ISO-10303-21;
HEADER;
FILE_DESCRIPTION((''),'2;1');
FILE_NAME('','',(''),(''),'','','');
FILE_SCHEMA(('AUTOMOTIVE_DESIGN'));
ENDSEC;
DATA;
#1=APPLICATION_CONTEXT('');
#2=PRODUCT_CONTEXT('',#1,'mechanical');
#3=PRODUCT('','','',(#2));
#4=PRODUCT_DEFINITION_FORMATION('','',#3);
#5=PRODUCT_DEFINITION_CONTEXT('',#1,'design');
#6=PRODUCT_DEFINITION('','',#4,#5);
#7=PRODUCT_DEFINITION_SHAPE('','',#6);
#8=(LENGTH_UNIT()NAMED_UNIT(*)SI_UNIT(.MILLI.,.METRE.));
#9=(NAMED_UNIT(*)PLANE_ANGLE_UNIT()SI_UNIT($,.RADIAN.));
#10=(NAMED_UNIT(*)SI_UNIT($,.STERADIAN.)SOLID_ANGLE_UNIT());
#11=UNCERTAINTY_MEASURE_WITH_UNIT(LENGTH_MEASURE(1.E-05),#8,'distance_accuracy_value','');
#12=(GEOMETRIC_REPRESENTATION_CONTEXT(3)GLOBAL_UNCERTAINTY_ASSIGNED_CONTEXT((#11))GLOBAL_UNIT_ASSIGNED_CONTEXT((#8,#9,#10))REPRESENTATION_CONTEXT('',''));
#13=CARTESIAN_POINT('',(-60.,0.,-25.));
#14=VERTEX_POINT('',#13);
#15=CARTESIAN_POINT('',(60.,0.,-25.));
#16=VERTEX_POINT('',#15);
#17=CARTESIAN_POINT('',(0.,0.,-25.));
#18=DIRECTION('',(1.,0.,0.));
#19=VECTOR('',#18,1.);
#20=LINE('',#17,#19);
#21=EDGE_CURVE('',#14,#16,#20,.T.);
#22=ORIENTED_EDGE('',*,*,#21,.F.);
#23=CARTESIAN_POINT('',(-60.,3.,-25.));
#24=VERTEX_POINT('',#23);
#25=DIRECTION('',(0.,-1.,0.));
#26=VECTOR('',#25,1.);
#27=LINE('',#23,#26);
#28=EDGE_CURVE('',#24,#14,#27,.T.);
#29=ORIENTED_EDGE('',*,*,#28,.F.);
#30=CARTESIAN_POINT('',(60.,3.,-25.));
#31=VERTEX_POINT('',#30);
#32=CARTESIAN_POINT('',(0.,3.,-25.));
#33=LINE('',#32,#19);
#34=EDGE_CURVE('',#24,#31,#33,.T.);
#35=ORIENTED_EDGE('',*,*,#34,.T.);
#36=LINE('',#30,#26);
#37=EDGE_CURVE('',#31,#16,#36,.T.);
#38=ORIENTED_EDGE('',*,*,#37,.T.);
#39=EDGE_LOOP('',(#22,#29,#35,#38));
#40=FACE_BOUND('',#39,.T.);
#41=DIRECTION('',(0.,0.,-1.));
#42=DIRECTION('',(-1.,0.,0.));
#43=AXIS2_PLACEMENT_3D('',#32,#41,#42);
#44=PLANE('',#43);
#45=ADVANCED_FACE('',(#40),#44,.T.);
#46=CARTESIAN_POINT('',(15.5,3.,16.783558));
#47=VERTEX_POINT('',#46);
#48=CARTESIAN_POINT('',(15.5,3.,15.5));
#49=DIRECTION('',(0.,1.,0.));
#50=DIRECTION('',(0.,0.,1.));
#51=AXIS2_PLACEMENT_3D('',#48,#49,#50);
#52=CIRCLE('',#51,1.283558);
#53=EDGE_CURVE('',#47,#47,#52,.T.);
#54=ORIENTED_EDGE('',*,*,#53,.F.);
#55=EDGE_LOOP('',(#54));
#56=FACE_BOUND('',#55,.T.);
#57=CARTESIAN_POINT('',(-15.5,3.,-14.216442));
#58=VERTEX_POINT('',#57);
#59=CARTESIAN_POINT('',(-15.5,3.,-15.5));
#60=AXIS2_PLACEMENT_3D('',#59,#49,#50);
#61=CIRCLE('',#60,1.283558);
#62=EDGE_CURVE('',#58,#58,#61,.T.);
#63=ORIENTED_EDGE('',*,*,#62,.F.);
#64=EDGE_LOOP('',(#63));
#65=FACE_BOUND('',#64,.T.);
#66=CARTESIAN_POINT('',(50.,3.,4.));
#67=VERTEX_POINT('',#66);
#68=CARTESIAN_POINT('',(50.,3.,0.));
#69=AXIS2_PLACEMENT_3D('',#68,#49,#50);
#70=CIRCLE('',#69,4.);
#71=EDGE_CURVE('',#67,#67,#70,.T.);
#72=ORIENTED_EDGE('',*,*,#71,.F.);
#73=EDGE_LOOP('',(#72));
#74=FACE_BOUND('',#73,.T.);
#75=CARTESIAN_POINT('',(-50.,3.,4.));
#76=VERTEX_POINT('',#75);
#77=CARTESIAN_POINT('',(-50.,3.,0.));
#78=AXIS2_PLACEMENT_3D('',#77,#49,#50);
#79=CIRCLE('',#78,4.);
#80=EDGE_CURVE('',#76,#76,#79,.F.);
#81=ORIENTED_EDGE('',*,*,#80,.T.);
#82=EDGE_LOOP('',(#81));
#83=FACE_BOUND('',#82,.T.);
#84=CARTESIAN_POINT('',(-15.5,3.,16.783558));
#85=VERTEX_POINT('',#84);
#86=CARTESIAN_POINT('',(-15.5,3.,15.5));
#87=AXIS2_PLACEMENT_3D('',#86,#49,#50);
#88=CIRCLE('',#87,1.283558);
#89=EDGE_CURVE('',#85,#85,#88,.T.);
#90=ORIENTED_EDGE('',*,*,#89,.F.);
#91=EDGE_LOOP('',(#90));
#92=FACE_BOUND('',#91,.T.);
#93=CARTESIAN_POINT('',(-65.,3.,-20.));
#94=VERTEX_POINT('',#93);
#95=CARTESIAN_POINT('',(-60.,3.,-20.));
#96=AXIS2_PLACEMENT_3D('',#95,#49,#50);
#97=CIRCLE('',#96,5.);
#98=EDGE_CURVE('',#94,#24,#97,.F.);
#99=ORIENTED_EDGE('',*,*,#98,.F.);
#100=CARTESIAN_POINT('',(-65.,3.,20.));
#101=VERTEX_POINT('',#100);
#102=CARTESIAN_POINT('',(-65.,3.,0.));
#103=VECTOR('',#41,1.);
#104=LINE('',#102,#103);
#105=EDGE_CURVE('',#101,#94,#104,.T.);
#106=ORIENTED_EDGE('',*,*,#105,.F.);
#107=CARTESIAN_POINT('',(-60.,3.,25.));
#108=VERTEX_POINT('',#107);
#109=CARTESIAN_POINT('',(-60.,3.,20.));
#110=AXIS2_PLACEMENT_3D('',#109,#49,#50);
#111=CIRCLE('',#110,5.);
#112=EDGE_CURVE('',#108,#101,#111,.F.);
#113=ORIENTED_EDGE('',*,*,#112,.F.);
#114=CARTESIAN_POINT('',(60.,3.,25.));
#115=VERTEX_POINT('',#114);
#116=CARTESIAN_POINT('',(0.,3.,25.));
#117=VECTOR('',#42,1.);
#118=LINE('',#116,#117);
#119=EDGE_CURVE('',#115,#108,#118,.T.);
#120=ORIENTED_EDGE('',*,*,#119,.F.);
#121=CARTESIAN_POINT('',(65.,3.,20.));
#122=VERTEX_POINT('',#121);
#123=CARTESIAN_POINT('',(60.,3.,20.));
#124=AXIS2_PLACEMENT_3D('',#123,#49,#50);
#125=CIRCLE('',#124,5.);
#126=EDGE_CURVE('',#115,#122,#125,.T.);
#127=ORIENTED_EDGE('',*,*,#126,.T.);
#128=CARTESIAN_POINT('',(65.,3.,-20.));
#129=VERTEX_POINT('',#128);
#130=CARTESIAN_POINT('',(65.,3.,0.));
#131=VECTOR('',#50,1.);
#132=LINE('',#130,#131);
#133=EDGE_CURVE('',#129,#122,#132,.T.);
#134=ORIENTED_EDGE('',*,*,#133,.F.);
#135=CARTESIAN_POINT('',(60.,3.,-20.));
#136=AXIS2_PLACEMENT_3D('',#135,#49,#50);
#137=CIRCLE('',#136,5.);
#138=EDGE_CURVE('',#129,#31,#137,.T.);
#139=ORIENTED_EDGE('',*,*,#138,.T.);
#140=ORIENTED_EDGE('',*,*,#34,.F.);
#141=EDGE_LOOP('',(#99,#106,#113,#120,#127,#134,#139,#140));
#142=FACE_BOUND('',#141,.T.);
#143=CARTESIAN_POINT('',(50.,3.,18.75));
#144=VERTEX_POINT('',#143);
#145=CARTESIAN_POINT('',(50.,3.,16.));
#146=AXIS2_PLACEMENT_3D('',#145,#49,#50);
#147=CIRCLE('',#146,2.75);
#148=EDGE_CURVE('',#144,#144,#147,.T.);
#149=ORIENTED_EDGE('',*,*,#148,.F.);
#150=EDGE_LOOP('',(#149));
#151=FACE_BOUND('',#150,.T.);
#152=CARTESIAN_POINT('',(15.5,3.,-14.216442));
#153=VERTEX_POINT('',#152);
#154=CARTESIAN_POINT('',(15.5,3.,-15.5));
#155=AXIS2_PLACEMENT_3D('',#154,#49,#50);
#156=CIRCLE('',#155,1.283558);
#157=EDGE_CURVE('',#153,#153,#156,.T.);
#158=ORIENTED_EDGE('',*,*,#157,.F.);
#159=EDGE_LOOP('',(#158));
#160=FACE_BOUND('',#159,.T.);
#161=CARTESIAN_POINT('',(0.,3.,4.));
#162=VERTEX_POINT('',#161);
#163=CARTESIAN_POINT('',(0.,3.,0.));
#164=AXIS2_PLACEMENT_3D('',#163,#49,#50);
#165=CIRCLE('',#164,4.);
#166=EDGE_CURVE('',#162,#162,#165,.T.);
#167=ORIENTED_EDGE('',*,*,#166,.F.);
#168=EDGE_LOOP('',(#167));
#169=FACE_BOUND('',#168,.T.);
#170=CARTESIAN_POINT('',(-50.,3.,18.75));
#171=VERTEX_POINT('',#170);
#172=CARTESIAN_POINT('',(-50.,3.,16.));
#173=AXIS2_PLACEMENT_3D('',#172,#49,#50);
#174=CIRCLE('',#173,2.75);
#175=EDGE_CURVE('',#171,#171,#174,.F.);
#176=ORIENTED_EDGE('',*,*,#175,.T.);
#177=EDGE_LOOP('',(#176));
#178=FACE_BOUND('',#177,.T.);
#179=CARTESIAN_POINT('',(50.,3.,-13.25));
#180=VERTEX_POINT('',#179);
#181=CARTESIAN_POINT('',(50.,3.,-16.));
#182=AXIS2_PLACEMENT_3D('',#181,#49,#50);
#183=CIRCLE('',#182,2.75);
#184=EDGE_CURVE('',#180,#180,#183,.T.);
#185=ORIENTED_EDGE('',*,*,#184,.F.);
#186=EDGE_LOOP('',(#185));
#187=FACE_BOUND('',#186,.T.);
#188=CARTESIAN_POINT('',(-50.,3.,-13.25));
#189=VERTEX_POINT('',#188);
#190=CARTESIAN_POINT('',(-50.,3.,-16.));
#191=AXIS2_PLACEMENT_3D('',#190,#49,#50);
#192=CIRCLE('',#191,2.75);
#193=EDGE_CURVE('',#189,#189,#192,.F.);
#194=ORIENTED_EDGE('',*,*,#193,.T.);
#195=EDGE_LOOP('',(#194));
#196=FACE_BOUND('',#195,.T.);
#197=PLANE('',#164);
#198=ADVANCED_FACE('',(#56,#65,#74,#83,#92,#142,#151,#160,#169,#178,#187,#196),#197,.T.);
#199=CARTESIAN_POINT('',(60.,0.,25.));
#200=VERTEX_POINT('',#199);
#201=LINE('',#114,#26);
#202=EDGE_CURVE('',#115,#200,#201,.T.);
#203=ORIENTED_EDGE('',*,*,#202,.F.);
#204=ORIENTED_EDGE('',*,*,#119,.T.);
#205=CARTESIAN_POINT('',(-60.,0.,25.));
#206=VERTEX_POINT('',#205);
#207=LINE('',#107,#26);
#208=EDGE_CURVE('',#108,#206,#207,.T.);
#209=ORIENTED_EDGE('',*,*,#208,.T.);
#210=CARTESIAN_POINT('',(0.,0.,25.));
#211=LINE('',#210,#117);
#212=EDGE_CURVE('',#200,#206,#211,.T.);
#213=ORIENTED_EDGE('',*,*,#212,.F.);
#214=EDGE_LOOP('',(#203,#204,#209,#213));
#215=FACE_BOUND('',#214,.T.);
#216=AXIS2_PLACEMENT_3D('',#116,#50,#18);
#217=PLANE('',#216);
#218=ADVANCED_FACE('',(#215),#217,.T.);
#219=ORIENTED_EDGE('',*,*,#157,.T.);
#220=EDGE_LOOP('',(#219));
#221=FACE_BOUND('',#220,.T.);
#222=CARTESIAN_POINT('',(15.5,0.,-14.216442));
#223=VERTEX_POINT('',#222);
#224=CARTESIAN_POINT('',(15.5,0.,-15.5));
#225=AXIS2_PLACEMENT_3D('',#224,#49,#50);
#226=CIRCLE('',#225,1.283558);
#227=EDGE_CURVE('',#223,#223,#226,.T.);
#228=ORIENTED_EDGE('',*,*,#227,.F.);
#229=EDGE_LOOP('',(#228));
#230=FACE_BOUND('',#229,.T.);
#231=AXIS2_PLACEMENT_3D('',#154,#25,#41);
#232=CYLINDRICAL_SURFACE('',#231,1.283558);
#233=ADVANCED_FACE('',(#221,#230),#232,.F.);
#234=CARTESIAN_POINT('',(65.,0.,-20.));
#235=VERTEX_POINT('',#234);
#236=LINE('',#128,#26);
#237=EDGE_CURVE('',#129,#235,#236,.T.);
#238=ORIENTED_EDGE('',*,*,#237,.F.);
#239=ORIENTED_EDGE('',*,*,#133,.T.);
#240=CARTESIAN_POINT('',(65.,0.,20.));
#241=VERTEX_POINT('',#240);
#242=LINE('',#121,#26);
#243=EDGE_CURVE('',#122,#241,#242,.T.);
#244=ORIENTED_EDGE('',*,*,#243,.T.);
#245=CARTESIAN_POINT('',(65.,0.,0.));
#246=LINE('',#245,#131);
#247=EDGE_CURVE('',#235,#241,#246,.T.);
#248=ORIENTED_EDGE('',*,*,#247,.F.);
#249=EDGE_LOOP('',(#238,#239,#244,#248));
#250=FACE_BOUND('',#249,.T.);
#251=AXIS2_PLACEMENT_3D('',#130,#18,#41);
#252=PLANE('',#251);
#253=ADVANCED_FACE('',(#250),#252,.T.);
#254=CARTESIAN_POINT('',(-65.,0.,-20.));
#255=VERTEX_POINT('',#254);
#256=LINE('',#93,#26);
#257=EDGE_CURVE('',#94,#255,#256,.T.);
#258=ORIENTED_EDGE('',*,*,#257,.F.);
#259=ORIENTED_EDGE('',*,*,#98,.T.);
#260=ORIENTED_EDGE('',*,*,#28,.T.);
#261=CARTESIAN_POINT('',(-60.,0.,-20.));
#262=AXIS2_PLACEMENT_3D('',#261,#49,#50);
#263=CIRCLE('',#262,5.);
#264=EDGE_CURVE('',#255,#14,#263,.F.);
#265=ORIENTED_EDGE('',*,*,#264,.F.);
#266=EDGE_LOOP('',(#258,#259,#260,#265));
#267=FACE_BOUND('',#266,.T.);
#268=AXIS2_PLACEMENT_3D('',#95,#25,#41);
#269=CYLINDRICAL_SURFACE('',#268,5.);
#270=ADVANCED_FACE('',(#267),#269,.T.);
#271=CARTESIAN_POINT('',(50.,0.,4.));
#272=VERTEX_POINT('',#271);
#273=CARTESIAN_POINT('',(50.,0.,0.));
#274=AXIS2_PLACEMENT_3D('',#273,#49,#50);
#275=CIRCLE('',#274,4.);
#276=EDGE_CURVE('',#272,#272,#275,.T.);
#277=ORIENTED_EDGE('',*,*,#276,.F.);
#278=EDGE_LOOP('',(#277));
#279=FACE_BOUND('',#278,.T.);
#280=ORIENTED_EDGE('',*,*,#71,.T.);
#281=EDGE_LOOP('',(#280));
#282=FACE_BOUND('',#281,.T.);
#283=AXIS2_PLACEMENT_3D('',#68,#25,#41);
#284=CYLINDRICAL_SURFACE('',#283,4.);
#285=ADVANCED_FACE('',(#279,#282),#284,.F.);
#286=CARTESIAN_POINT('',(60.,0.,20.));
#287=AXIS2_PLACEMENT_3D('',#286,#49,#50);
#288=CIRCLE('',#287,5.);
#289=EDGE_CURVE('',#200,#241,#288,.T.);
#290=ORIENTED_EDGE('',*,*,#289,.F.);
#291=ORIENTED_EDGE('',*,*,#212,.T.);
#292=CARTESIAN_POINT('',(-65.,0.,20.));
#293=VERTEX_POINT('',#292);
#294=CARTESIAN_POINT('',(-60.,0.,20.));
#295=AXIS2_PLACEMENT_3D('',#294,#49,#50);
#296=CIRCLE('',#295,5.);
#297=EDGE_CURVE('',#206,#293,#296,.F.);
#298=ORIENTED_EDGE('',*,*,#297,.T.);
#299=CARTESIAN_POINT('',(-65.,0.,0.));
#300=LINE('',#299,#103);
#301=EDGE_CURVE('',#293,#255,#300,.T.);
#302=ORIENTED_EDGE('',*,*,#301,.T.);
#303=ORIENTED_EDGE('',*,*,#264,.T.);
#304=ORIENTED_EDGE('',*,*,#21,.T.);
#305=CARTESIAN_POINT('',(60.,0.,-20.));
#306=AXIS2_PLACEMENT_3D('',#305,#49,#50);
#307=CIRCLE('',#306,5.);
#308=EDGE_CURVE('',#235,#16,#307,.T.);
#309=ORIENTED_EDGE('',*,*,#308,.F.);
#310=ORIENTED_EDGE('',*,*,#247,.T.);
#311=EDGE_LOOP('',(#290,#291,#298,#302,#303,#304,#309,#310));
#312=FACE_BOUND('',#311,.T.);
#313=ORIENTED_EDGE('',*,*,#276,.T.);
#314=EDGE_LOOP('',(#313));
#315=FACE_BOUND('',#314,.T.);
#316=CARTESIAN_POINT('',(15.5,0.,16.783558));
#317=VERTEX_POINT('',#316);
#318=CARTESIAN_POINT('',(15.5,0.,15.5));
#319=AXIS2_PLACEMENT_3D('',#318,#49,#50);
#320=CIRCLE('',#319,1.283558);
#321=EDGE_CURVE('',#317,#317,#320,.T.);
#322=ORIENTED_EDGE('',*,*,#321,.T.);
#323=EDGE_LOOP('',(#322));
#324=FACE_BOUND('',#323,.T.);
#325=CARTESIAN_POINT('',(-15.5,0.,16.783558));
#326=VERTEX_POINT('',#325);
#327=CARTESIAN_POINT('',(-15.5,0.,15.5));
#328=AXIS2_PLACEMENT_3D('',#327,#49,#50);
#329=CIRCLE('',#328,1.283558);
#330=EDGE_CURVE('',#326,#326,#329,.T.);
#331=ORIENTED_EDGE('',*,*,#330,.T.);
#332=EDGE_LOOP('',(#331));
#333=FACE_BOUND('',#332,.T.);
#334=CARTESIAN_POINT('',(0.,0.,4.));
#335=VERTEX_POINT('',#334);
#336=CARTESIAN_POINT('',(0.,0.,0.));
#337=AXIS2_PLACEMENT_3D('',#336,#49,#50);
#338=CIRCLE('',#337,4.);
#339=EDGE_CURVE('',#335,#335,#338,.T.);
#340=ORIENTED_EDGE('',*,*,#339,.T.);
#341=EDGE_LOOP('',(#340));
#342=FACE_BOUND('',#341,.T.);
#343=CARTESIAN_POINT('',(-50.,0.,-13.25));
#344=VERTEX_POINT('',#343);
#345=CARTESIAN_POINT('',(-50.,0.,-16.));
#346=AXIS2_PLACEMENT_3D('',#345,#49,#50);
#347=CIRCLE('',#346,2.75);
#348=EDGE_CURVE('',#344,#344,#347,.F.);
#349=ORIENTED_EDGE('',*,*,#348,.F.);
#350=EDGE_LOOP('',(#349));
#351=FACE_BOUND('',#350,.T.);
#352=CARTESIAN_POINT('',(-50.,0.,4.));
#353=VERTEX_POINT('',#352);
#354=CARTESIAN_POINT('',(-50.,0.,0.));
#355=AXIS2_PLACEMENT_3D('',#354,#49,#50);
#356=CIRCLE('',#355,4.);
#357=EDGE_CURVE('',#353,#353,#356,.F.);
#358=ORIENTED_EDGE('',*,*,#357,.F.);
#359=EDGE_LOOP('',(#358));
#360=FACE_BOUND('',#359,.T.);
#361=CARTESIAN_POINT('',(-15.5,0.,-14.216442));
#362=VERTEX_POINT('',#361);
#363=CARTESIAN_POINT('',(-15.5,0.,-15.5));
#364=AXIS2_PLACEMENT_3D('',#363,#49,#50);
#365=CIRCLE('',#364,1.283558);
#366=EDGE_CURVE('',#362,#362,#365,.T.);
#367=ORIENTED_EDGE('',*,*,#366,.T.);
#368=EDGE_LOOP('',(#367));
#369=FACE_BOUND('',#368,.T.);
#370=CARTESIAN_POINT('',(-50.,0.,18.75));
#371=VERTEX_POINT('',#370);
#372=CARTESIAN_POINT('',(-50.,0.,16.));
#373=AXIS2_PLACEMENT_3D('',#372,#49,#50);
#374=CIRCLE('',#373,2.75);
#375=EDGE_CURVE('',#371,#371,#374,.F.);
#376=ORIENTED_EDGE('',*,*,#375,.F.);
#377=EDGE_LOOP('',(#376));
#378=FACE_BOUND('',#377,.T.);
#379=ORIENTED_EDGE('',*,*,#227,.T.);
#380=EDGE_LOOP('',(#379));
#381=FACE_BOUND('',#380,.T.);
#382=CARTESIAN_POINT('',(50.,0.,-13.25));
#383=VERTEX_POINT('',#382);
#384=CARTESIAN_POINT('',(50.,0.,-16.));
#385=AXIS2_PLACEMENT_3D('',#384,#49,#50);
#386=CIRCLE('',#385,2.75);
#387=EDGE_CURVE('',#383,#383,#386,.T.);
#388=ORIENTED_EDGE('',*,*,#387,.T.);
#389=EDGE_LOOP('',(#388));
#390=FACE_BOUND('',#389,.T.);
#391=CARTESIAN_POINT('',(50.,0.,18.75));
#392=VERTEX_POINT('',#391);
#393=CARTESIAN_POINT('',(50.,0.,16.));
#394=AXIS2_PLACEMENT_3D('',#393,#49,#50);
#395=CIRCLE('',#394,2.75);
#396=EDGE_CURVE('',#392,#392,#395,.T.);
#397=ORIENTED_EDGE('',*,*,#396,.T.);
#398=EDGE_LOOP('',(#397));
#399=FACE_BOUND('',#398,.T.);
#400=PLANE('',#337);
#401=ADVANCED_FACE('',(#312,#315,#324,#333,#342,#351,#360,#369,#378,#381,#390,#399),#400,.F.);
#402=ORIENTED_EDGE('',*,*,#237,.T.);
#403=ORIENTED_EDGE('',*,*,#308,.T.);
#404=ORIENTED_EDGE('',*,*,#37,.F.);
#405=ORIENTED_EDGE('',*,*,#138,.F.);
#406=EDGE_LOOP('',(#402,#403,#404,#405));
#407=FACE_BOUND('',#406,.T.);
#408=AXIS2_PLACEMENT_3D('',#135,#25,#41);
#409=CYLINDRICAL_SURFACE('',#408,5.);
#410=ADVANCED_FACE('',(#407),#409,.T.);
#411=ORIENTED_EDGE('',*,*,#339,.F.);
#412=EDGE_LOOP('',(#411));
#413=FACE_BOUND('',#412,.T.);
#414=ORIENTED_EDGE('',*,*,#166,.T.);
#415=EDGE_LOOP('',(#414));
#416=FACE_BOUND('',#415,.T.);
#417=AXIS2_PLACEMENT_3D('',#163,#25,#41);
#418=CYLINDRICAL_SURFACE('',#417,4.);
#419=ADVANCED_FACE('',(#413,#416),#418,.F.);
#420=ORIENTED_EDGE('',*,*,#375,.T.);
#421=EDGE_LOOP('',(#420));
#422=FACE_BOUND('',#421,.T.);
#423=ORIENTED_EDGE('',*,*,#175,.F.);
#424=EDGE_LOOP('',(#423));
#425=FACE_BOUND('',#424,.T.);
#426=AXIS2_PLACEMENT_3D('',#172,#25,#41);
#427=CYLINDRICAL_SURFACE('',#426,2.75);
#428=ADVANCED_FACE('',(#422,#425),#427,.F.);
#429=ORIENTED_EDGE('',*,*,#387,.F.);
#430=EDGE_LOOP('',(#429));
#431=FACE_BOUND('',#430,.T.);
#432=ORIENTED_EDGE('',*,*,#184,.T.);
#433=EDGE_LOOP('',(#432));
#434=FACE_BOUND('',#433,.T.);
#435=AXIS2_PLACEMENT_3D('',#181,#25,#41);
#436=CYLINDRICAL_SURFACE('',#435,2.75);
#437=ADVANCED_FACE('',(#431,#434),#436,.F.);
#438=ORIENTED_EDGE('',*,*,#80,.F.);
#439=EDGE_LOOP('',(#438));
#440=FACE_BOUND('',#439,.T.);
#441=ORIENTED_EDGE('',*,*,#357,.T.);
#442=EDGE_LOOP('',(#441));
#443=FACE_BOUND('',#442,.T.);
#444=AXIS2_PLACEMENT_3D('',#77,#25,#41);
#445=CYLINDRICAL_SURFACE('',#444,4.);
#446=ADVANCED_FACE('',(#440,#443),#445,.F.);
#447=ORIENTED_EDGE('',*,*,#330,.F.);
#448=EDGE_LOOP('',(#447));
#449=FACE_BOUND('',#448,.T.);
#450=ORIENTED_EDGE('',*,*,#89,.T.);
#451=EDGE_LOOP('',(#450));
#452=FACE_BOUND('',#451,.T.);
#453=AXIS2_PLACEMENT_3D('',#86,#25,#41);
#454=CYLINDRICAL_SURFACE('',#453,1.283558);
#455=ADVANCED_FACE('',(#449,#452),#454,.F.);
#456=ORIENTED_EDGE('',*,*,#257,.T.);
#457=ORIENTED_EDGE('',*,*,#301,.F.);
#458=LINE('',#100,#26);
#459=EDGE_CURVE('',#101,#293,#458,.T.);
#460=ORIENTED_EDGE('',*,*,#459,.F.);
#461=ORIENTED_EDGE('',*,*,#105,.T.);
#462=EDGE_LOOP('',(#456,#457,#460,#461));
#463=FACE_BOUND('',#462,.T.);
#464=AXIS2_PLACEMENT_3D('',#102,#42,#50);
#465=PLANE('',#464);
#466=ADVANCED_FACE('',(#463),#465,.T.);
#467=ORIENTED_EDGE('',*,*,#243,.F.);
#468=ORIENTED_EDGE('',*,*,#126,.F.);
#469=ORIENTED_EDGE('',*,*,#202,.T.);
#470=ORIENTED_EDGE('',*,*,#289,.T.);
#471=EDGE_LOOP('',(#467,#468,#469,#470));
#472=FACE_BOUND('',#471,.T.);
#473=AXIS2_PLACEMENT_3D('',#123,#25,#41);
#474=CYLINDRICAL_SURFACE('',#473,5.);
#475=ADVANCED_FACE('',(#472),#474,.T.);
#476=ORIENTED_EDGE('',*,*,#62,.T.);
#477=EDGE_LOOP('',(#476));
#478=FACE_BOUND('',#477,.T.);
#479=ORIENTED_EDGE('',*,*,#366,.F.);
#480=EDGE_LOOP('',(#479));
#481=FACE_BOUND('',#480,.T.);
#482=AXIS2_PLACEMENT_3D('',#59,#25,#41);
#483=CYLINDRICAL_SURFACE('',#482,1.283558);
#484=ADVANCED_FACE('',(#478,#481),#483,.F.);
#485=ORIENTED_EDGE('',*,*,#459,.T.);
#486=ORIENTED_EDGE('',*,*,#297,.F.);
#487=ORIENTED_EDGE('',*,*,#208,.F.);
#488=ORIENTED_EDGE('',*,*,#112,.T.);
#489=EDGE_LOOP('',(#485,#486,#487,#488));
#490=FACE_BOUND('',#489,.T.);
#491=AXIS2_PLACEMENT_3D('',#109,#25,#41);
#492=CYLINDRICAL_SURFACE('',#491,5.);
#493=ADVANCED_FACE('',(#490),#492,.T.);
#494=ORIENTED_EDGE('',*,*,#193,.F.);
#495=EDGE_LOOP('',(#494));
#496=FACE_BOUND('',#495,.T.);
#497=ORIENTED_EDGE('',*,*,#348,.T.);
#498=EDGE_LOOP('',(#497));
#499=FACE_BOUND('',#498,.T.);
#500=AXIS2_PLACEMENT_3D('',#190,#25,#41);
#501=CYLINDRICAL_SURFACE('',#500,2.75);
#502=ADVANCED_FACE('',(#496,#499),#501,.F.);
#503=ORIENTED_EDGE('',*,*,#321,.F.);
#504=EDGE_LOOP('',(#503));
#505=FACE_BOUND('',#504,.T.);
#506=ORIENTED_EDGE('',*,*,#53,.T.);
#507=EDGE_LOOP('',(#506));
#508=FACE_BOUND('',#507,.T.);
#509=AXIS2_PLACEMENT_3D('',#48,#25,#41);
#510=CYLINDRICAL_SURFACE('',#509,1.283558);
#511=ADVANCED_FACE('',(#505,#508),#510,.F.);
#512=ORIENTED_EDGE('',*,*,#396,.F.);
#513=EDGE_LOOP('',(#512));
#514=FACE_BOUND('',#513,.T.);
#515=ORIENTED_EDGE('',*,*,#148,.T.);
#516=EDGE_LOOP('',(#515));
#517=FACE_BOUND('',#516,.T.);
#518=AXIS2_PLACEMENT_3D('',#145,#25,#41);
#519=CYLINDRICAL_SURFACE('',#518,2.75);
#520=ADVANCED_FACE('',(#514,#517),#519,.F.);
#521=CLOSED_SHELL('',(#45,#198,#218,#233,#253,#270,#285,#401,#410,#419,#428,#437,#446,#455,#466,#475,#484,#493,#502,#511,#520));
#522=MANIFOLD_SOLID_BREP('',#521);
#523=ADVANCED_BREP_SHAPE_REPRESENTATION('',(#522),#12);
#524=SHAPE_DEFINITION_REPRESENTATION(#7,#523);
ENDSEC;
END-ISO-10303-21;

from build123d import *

# Parameters (mm, degrees)
SKETCH_1_R      = 2.75
SKETCH_1_R_2    = 4
SKETCH_1_R_3    = 1.283558174
EXTRUDE_1_DEPTH = 3


with BuildPart() as part:
    # 草图1 → 凸台-拉伸1 (new body)
    with BuildSketch(Plane(origin=(0, 0, 0), x_dir=(1, 0, 0), z_dir=(0, 1, 0))):
        with BuildLine():
            ThreePointArc((-65, 20), (-63.535533906, 23.535533906), (-60, 25))
            Line((-60, 25), (0, 25))
            Line((0, 25), (60, 25))
            ThreePointArc((60, 25), (63.535533906, 23.535533906), (65, 20))
            Line((65, 20), (65, -20))
            ThreePointArc((65, -20), (63.535533906, -23.535533906), (60, -25))
            Line((60, -25), (-60, -25))
            ThreePointArc((-60, -25), (-63.535533906, -23.535533906), (-65, -20))
            Line((-65, -20), (-65, 20))
        make_face()
        with Locations(Location((-50, 16, 0), (0, 0, 270))):
            Circle(SKETCH_1_R, mode=Mode.SUBTRACT)
        with Locations(Location((0, 0, 0), (0, 0, 270))):
            Circle(SKETCH_1_R_2, mode=Mode.SUBTRACT)
        with Locations(Location((15.5, 15.5, 0), (0, 0, 270))):
            Circle(SKETCH_1_R_3, mode=Mode.SUBTRACT)
        with Locations(Location((15.5, -15.5, 0), (0, 0, 270))):
            Circle(SKETCH_1_R_3, mode=Mode.SUBTRACT)
        with Locations(Location((-15.5, -15.5, 0), (0, 0, 270))):
            Circle(SKETCH_1_R_3, mode=Mode.SUBTRACT)
        with Locations(Location((-15.5, 15.5, 0), (0, 0, 270))):
            Circle(SKETCH_1_R_3, mode=Mode.SUBTRACT)
        with Locations(Location((50, 0, 0), (0, 0, 270))):
            Circle(SKETCH_1_R_2, mode=Mode.SUBTRACT)
        with Locations(Location((50, 16, 0), (0, 0, 270))):
            Circle(SKETCH_1_R, mode=Mode.SUBTRACT)
        with Locations(Location((50, -16, 0), (0, 0, 270))):
            Circle(SKETCH_1_R, mode=Mode.SUBTRACT)
        with Locations(Location((-50, -16, 0), (0, 0, 270))):
            Circle(SKETCH_1_R, mode=Mode.SUBTRACT)
        with Locations(Location((-50, 0, 0), (0, 0, 270))):
            Circle(SKETCH_1_R_2, mode=Mode.SUBTRACT)
    extrude(amount=EXTRUDE_1_DEPTH)


solid = part.part
